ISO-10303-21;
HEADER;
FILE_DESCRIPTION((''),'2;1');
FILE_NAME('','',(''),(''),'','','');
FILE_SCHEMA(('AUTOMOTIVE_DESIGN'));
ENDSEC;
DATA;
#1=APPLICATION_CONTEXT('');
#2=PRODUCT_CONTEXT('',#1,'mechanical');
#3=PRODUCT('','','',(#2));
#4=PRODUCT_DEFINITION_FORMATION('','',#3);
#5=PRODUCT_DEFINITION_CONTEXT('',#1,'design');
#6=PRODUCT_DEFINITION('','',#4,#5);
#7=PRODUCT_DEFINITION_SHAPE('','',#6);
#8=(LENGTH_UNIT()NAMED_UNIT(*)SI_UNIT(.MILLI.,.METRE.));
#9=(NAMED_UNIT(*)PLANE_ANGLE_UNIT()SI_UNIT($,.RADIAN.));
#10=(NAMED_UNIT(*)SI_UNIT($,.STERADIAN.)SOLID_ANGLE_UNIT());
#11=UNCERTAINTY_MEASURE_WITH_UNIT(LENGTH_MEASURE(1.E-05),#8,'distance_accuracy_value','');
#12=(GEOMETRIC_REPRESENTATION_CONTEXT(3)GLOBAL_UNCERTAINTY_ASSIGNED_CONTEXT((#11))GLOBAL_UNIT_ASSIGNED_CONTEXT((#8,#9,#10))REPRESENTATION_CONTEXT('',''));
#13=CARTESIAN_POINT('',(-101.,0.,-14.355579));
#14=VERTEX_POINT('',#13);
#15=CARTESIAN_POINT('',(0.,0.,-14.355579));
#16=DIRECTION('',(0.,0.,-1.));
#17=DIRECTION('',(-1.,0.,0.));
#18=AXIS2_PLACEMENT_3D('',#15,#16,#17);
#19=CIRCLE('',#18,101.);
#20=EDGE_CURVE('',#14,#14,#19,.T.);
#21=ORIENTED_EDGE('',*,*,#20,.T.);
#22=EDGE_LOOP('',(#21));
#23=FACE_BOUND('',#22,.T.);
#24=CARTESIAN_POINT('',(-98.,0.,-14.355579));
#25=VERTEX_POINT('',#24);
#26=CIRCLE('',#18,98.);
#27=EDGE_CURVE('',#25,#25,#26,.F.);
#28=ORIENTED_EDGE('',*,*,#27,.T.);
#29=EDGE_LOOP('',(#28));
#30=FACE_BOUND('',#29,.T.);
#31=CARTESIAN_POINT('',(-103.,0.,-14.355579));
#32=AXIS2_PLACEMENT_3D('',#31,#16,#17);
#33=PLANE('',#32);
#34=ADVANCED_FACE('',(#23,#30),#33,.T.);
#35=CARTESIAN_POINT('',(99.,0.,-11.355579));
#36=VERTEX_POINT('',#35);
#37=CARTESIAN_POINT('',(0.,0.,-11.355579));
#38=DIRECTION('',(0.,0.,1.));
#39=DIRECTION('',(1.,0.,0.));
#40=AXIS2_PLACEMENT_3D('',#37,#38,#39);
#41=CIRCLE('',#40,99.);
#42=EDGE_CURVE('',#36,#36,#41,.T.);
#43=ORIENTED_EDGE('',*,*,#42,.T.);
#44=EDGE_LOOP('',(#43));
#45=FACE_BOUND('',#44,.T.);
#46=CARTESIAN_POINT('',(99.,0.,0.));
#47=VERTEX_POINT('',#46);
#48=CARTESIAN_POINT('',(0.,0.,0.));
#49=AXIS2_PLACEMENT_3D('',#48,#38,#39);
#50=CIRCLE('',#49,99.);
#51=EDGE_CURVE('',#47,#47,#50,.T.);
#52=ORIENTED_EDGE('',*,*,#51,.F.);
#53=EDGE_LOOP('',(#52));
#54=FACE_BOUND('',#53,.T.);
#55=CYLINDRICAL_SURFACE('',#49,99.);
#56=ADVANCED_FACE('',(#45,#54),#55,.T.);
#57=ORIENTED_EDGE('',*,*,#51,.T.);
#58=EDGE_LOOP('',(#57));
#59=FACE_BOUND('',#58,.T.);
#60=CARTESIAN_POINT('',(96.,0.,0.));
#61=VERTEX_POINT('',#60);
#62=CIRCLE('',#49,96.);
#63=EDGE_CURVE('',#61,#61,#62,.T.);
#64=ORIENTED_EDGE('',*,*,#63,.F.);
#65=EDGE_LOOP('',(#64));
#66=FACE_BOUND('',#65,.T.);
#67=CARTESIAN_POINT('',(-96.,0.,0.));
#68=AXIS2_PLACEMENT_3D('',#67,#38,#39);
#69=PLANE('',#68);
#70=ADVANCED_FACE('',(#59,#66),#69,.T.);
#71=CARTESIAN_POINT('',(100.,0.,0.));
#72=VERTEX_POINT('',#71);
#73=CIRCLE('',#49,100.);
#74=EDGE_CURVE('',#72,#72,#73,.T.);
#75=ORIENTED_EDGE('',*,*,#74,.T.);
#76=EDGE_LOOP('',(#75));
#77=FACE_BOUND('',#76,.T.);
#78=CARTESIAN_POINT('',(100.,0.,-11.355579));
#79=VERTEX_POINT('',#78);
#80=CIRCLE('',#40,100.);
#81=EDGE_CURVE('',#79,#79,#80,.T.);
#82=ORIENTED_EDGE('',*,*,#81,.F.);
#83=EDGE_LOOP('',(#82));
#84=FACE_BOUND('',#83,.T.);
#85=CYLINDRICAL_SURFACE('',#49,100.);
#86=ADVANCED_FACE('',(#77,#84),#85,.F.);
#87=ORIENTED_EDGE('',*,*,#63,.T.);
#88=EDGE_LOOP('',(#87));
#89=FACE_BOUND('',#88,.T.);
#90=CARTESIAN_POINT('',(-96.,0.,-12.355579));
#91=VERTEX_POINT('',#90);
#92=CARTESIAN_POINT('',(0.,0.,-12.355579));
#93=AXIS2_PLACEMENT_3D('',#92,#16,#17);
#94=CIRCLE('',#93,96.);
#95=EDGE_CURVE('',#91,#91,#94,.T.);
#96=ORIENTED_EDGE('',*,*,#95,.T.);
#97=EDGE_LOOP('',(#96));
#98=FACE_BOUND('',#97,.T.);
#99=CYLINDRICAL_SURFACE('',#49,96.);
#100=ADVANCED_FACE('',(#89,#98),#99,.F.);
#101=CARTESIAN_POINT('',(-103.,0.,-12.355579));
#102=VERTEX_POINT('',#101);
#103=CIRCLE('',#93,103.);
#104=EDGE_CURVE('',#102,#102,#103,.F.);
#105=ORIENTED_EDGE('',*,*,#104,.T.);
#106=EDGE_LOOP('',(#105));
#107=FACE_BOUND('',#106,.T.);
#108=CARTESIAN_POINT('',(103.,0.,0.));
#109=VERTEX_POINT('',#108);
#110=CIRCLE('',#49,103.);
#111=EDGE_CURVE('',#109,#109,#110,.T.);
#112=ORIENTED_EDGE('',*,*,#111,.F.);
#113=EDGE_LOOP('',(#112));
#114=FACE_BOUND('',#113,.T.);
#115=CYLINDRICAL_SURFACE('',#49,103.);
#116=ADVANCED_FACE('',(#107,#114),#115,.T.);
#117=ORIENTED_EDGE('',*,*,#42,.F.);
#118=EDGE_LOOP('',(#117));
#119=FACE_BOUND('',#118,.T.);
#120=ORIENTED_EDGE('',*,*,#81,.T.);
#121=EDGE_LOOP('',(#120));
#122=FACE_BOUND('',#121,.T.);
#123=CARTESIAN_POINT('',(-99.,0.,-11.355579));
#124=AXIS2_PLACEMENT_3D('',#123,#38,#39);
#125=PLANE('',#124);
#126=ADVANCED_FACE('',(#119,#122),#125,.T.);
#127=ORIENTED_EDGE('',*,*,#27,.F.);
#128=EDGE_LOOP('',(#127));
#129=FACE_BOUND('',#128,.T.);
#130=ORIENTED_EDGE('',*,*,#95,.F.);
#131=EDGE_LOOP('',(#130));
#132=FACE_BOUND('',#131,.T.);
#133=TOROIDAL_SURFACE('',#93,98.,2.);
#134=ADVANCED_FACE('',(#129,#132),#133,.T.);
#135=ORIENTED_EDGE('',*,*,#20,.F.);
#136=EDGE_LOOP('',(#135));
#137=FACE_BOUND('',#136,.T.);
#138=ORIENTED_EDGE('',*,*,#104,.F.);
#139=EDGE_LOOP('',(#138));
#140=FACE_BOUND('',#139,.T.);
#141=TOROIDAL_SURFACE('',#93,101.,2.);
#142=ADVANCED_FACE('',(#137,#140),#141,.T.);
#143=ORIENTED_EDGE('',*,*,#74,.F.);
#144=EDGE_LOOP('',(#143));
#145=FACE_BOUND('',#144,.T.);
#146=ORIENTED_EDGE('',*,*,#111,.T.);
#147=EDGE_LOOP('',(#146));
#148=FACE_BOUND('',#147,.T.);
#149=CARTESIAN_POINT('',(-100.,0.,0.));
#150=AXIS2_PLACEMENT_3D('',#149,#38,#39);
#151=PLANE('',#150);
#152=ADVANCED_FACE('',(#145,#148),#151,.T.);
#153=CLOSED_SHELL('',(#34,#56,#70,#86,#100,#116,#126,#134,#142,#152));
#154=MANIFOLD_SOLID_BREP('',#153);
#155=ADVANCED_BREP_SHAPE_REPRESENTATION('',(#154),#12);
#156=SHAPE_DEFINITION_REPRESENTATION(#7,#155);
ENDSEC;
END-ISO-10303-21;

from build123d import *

# Parameters (mm, degrees)
FILLET2_R = 2
FILLET3_R = 2


with BuildPart() as part:
    # Sketch1 → Revolve1 (revolve)
    with BuildSketch(Plane(origin=(0, 0, 0), x_dir=(1, 0, 0), z_dir=(0, 1, 0)), mode=Mode.PRIVATE) as revolve1_sk:
        Polygon((-99, 0), (-99, 11.355578728), (-100, 11.355578728), (-100, 0), (-103, 0), (-103, 14.355578728), (-96, 14.355578728), (-96, 0), align=None)
    revolve(revolve1_sk.sketch.rotate(Axis((0, 0, 0), (0, 0, -1)), 180), axis=Axis((0, 0, 0), (0, 0, -1)))

    # Fillet2
    fillet2_edges = [part.edges().sort_by_distance(p)[0] for p in [
        (-103, 0, -14.355578728),
    ]]
    fillet(fillet2_edges, radius=FILLET2_R)

    # Fillet3
    fillet3_edges = [part.edges().sort_by_distance(p)[0] for p in [
        (-96, 0, -14.355578728),
    ]]
    fillet(fillet3_edges, radius=FILLET3_R)


solid = part.part
